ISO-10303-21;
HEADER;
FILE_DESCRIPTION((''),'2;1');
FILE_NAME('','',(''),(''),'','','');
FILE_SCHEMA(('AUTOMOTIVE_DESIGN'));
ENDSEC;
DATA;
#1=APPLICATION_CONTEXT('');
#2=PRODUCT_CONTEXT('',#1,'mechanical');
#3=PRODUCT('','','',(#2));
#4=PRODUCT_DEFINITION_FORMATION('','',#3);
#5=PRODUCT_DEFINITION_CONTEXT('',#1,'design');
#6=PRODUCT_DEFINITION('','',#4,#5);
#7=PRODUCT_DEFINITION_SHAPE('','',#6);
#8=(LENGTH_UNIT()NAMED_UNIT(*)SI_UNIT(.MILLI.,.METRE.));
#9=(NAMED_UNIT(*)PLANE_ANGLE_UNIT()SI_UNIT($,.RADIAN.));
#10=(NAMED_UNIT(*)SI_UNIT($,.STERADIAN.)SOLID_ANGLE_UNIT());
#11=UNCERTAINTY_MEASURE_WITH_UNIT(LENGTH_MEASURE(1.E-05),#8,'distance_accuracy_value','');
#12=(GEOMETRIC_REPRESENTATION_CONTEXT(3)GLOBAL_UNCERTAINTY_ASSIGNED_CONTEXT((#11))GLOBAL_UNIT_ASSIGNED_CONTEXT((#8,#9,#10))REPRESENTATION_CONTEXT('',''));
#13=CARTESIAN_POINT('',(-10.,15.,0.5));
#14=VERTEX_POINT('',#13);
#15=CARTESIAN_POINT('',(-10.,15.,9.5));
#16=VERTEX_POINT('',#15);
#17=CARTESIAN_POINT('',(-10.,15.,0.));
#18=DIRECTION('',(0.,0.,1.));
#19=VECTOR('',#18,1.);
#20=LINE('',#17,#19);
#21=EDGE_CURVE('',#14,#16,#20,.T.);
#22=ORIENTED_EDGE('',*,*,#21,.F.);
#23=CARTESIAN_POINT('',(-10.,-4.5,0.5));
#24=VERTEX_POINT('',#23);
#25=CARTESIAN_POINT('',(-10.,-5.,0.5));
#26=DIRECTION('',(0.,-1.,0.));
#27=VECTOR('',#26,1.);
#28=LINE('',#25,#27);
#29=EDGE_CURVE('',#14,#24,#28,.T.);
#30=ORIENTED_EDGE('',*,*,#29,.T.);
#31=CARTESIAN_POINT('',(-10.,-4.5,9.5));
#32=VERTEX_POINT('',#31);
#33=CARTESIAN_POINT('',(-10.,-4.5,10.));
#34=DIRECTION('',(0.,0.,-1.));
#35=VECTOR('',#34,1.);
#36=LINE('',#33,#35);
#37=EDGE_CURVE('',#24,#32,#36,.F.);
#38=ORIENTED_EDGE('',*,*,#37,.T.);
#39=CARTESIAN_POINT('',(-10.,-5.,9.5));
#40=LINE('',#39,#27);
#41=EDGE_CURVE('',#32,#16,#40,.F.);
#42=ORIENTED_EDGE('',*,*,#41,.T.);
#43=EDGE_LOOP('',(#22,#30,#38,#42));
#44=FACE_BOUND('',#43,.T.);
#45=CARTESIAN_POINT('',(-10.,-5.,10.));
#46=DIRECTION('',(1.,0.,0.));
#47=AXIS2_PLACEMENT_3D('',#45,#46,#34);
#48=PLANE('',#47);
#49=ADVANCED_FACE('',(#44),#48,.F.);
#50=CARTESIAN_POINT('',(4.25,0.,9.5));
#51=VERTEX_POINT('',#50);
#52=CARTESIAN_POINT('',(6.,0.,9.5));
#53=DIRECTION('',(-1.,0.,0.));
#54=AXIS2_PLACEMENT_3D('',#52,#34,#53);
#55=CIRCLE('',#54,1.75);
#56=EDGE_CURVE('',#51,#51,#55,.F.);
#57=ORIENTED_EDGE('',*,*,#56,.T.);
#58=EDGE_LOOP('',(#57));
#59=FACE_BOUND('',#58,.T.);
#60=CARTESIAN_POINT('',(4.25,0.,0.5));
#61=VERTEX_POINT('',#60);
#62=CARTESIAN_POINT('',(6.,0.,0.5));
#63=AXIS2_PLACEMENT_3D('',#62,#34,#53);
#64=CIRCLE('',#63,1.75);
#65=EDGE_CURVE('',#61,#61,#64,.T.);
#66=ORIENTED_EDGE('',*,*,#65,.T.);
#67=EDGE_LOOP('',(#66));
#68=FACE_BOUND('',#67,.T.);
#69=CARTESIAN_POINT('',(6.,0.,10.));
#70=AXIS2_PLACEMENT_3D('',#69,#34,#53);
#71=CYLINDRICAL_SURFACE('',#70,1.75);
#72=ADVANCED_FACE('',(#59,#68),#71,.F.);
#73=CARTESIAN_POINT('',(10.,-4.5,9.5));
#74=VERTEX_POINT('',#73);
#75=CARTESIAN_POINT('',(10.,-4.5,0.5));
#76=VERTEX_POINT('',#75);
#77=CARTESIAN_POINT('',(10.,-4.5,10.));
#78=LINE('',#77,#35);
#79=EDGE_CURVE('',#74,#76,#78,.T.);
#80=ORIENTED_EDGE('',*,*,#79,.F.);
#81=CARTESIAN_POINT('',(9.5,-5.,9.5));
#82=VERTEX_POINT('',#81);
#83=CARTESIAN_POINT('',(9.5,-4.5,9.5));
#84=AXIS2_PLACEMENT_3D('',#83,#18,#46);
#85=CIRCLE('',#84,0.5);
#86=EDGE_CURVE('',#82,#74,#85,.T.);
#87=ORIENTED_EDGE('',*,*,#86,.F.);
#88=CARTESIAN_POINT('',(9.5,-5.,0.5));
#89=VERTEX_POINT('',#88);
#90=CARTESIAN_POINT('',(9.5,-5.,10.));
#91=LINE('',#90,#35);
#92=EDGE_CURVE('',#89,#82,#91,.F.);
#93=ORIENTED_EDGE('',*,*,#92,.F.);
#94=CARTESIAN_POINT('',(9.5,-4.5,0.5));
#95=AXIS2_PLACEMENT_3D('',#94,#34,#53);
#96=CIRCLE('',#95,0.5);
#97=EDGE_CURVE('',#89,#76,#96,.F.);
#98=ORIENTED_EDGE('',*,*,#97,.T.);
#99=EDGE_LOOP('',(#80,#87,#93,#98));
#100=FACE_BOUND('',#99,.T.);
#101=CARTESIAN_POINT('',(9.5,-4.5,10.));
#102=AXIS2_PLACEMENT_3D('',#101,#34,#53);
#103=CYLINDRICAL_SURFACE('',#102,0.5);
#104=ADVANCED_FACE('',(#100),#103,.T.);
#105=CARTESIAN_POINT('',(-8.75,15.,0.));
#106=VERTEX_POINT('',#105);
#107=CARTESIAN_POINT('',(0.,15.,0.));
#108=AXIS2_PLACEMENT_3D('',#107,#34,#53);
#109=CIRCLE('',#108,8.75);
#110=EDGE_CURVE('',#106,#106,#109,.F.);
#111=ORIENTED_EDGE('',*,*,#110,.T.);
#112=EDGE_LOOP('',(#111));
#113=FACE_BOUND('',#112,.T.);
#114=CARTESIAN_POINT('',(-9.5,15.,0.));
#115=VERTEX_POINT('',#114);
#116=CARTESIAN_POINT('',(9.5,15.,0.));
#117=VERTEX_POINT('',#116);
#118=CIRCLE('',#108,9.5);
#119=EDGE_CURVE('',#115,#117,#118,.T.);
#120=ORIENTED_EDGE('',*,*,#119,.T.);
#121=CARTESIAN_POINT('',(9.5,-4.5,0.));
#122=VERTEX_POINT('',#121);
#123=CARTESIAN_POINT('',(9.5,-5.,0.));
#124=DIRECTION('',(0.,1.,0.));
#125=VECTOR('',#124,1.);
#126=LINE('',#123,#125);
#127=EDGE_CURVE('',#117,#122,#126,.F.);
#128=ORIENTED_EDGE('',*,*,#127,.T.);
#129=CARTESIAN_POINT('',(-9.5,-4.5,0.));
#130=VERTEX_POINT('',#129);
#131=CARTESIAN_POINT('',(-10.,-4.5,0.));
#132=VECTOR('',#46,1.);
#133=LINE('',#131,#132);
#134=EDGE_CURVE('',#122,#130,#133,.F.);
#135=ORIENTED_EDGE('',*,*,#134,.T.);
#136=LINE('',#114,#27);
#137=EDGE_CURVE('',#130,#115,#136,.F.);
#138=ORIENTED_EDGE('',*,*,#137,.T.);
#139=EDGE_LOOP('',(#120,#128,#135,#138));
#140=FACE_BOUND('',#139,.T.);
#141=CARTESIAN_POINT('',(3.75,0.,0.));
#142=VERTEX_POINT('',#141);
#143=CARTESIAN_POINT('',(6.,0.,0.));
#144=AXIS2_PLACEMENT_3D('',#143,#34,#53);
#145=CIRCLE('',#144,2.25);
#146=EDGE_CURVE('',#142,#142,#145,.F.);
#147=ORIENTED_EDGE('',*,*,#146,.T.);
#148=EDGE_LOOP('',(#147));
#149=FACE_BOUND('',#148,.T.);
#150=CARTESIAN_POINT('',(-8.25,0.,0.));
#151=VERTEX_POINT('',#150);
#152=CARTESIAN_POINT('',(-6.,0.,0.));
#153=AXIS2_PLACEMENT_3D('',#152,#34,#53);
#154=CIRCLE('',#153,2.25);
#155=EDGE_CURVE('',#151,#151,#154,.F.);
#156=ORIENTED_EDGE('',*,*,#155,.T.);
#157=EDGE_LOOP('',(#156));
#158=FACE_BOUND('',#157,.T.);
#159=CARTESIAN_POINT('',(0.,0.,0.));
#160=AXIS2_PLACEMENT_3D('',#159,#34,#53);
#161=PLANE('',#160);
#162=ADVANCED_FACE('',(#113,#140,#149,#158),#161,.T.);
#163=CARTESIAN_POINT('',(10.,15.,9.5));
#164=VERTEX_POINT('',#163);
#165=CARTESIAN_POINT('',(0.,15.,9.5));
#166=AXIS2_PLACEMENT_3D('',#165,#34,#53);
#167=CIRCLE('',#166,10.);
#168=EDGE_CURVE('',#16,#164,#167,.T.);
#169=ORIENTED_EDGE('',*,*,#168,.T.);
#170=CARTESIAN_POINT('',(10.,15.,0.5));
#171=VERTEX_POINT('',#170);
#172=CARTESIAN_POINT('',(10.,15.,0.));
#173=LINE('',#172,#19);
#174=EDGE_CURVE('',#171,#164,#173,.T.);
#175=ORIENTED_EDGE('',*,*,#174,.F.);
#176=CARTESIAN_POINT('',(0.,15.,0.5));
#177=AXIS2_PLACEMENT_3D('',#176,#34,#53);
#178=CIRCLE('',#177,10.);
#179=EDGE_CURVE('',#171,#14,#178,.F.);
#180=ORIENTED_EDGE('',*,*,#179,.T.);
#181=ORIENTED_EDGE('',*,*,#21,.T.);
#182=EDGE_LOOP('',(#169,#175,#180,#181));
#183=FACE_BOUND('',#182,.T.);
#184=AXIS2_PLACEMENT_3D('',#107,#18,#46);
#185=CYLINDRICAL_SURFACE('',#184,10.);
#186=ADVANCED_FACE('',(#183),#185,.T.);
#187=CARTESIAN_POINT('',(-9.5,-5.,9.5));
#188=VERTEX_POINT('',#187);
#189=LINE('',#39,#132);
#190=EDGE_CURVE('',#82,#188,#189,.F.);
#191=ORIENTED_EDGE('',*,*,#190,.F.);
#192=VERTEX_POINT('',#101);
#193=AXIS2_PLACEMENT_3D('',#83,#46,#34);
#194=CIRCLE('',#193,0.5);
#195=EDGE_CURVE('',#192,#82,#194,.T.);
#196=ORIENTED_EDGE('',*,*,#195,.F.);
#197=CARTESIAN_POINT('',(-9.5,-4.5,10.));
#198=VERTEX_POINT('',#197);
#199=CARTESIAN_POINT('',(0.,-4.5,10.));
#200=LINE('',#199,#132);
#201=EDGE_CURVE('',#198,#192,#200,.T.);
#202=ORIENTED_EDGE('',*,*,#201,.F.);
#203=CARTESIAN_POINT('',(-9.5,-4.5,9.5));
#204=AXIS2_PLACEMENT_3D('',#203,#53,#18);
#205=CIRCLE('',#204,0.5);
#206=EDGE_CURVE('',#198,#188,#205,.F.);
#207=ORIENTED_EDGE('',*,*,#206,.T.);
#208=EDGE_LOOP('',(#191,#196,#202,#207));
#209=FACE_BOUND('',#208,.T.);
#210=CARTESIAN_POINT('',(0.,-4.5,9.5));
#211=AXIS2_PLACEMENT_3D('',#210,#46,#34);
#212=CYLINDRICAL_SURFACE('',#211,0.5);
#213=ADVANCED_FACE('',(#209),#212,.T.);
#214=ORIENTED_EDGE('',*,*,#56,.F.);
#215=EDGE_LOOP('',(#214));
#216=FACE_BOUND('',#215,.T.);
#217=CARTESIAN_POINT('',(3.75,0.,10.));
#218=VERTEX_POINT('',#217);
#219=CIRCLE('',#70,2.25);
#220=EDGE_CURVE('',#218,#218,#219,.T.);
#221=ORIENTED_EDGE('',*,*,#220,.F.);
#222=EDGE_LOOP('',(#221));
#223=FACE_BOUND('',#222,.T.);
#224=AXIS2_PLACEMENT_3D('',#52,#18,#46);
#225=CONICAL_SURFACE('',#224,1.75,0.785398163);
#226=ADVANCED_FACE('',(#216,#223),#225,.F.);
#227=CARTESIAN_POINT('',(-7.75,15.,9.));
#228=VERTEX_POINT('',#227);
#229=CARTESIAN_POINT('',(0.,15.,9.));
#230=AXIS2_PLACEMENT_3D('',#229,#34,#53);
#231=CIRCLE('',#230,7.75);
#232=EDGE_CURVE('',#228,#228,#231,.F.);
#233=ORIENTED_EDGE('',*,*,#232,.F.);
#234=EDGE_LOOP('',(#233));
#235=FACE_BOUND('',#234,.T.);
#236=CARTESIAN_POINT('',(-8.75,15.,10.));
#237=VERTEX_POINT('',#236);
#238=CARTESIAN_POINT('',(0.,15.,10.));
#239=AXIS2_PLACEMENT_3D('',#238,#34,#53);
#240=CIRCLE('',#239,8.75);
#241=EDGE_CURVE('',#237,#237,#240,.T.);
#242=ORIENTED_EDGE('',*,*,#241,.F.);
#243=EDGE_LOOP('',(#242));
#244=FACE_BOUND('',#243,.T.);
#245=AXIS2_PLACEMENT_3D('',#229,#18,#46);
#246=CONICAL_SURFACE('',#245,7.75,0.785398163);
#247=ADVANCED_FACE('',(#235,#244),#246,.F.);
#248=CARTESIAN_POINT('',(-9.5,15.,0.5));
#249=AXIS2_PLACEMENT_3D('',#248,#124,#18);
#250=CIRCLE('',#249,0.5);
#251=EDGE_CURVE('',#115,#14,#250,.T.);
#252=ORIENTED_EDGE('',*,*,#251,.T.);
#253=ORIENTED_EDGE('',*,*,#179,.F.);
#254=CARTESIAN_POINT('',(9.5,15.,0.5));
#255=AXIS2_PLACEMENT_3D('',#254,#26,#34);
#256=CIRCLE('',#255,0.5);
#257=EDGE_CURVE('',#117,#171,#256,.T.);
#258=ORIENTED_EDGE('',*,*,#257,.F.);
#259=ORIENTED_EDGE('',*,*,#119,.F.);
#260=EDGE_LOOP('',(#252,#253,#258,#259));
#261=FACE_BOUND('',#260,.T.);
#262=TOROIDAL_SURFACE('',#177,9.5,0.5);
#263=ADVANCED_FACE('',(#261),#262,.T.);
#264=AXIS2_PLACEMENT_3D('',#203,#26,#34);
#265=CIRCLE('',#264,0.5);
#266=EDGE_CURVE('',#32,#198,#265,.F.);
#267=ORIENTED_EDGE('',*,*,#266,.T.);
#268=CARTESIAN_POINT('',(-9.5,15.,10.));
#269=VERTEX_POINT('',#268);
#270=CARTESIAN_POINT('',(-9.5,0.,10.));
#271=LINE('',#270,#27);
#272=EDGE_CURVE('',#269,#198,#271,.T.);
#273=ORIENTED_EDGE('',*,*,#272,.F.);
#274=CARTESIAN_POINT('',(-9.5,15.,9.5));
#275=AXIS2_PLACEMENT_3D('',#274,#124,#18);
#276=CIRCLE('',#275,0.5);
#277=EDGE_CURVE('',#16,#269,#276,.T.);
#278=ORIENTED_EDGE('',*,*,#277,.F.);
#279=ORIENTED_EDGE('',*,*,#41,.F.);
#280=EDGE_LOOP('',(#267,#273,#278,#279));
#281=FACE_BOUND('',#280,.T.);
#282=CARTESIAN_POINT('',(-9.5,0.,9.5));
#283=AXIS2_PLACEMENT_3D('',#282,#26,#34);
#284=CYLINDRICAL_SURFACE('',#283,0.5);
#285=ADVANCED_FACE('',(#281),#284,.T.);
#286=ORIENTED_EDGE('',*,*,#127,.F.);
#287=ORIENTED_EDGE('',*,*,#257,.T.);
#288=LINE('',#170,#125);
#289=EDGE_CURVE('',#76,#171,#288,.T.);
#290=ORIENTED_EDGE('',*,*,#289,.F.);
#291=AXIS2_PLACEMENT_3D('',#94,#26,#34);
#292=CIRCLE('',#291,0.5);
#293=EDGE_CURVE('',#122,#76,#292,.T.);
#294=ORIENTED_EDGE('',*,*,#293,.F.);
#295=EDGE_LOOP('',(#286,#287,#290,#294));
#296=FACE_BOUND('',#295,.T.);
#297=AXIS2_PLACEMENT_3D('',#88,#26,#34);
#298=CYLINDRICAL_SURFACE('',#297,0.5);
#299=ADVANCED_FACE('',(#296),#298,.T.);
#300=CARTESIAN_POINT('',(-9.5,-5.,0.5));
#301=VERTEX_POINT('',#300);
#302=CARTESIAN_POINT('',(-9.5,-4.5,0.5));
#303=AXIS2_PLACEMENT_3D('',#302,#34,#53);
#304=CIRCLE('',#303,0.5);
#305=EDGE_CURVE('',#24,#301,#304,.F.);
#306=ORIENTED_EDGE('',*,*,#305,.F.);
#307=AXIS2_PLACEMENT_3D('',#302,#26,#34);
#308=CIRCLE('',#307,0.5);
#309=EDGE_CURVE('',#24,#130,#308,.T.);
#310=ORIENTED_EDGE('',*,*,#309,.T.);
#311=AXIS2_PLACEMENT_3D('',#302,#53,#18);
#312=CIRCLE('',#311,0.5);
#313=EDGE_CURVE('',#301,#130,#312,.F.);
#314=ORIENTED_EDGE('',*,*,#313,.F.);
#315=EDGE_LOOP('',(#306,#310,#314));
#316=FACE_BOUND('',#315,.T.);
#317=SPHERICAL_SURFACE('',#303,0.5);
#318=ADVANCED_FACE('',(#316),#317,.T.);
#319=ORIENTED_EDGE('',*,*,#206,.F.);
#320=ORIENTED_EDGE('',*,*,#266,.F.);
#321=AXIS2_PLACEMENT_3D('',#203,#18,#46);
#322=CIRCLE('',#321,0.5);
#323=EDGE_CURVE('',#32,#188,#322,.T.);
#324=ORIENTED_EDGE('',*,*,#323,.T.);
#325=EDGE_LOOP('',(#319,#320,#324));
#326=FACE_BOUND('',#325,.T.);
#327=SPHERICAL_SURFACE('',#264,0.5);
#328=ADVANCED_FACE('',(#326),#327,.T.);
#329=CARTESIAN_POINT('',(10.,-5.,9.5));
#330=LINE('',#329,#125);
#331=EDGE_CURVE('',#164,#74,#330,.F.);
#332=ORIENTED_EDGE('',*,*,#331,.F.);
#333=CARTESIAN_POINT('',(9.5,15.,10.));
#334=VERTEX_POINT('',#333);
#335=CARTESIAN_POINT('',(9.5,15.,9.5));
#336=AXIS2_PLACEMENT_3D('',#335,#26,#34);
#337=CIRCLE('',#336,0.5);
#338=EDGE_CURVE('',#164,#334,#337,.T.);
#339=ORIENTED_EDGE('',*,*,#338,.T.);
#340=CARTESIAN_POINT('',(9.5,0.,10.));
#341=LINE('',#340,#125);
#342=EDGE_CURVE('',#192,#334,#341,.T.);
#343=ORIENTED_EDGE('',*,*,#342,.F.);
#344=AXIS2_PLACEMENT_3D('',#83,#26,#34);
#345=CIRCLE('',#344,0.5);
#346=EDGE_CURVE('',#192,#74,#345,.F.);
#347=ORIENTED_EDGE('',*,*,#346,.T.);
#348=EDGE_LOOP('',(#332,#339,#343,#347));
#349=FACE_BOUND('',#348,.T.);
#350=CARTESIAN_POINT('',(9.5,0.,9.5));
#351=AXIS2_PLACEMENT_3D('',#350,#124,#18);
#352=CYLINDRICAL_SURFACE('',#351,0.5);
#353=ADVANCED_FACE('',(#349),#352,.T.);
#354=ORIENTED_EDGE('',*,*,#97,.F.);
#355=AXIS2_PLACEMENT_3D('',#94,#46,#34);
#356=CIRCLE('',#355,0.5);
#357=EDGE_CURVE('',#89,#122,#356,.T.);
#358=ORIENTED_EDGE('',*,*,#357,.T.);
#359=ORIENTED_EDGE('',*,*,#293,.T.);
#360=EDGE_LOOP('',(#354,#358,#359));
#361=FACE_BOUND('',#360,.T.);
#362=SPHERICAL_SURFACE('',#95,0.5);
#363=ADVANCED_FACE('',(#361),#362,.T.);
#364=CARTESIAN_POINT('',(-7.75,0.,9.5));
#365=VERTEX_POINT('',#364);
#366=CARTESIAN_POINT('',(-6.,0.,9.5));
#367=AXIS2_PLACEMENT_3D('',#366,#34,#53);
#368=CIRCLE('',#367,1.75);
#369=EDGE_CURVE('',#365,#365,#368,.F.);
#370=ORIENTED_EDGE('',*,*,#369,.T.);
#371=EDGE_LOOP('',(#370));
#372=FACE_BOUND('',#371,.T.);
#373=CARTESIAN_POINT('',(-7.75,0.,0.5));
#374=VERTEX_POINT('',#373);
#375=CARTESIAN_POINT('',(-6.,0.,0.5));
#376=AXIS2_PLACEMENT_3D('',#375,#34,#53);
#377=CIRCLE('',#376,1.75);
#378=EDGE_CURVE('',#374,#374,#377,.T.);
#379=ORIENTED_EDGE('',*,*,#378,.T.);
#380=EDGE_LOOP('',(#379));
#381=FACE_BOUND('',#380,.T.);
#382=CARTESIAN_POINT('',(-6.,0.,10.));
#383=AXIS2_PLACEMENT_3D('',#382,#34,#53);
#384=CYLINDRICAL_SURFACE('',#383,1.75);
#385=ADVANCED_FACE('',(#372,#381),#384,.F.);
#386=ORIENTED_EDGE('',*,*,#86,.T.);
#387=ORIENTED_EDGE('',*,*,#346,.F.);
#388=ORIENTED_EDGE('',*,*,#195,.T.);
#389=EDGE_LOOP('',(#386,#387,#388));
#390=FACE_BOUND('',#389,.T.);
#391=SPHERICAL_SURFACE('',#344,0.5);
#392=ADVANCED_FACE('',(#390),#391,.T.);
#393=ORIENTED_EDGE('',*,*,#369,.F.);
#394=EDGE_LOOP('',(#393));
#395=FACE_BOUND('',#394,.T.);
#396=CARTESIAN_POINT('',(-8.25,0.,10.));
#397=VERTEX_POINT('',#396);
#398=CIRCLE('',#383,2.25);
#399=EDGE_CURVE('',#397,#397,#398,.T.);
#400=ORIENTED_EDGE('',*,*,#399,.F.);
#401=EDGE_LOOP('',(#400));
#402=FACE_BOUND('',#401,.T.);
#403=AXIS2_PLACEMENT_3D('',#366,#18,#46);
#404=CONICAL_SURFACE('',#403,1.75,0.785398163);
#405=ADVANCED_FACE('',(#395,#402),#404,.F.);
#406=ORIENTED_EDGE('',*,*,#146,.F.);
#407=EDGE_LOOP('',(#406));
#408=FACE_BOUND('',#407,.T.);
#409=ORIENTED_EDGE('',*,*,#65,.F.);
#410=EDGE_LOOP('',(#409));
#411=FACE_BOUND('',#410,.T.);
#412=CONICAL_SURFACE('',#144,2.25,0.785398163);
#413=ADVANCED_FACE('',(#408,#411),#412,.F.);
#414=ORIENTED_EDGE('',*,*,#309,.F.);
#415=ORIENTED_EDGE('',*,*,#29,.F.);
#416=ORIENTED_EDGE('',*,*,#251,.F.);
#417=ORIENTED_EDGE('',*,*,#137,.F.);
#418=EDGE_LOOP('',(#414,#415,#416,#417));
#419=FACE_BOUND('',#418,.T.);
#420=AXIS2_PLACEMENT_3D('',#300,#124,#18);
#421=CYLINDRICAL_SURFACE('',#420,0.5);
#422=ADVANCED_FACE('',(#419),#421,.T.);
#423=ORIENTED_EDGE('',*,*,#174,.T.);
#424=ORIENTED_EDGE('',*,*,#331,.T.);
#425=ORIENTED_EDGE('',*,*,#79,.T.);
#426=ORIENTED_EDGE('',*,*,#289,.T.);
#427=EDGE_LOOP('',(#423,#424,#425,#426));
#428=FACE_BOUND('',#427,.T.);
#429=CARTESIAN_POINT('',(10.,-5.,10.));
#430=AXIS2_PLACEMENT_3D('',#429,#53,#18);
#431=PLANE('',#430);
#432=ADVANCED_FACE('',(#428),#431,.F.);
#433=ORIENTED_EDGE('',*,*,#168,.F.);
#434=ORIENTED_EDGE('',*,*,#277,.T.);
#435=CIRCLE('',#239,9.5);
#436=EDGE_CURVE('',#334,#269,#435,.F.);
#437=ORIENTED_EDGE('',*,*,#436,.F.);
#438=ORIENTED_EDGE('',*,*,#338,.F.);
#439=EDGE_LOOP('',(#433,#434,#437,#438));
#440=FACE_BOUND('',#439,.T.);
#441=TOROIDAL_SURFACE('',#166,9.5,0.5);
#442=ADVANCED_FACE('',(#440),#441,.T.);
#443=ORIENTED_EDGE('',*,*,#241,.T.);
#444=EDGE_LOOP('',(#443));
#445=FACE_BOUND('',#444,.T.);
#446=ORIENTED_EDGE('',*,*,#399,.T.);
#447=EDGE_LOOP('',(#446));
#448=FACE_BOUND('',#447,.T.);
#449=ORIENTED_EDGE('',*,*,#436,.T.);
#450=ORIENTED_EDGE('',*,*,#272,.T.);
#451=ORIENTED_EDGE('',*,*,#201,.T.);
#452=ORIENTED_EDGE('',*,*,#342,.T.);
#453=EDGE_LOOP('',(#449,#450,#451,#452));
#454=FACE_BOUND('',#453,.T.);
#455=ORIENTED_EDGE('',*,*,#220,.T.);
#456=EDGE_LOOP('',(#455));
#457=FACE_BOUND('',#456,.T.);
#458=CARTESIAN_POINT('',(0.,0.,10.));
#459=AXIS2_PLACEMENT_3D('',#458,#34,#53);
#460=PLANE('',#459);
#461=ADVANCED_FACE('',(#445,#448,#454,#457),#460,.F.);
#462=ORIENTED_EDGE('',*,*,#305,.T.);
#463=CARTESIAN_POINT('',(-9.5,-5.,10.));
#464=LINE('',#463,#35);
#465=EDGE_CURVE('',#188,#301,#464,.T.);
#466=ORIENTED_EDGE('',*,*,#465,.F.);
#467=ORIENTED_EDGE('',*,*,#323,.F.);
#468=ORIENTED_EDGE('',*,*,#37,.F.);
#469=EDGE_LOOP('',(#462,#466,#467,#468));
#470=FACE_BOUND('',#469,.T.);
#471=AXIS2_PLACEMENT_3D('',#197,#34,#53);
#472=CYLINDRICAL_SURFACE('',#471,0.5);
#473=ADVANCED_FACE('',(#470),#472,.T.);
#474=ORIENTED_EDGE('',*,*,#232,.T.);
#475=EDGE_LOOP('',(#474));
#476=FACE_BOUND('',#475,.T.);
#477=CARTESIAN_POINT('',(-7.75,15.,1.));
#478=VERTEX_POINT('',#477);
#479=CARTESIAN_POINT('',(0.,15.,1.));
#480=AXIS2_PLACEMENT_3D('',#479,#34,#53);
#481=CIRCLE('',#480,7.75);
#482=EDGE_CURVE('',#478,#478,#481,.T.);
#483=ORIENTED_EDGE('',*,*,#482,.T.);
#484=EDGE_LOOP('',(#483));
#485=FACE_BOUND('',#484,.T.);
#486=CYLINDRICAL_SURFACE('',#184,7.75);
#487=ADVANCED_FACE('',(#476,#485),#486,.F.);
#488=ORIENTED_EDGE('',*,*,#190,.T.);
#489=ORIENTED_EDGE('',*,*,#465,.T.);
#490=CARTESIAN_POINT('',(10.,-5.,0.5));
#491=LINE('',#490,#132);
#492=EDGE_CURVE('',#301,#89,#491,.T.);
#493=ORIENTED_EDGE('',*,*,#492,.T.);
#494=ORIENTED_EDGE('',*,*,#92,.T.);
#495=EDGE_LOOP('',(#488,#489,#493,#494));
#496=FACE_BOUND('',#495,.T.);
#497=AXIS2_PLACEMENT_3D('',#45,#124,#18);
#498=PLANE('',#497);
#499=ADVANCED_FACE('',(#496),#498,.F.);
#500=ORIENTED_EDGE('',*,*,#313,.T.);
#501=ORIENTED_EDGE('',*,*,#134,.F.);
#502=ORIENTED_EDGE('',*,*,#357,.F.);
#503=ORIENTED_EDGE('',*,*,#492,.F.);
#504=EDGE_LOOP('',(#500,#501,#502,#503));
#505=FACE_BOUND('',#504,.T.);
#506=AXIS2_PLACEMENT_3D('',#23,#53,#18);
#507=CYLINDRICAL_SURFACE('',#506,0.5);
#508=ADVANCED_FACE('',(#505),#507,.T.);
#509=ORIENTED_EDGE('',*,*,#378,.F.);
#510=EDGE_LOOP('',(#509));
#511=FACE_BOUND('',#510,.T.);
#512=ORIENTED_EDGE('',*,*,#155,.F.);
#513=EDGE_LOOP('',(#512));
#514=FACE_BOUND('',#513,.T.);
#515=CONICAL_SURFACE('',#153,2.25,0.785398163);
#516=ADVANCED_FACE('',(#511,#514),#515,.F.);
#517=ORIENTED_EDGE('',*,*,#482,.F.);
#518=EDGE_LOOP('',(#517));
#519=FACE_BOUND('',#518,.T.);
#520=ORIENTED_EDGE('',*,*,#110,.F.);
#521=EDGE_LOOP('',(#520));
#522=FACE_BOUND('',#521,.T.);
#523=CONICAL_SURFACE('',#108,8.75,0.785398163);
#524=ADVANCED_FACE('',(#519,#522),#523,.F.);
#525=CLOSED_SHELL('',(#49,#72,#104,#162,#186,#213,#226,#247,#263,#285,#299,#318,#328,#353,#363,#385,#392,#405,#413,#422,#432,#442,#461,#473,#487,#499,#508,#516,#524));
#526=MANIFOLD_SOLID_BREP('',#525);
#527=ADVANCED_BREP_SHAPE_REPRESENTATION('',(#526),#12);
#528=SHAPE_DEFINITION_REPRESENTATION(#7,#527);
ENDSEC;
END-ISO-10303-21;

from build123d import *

# Parameters (mm, degrees)
SKETCH_1_W      = 20
SKETCH_1_H      = 10
SKETCH_1_R      = 1.75
EXTRUDE_1_DEPTH = 10
SKETCH_2_R      = 7.75
EXTRUDE_2_DEPTH = 10
CHAMFER_1_SIZE  = 1
CHAMFER_2_SIZE  = 0.5
FILLET_1_R      = 0.5


with BuildPart() as part:
    # 草图1 → 凸台-拉伸1 (new body)
    with BuildSketch(Plane.XY):
        Rectangle(SKETCH_1_W, SKETCH_1_H)
        with Locations((-6, 0)):
            Circle(SKETCH_1_R, mode=Mode.SUBTRACT)
        with Locations((6, 0)):
            Circle(SKETCH_1_R, mode=Mode.SUBTRACT)
    extrude(amount=EXTRUDE_1_DEPTH)

    # 草图2 → 凸台-拉伸2 (add)
    with BuildSketch(Plane.XY.offset(10)):
        with BuildLine():
            Line((-10, 15), (-10, 5))
            Line((-10, 5), (10, 5))
            Line((10, 5), (10, 15))
            ThreePointArc((10, 15), (0, 25), (-10, 15))
        make_face()
        with Locations((0, 15)):
            Circle(SKETCH_2_R, mode=Mode.SUBTRACT)
    extrude(amount=-EXTRUDE_2_DEPTH)

    # 倒角1
    chamfer_1_edges = [part.edges().sort_by_distance(p)[0] for p in [
        (-7.75, 15, 10),
        (-7.75, 15, 0),
    ]]
    chamfer(chamfer_1_edges, length=CHAMFER_1_SIZE)

    # 倒角2
    chamfer_2_edges = [part.edges().sort_by_distance(p)[0] for p in [
        (-7.75, 0, 0),
        (-7.75, 0, 10),
        (4.25, 0, 0),
        (4.25, 0, 10),
    ]]
    chamfer(chamfer_2_edges, length=CHAMFER_2_SIZE)

    # 圆角1
    fillet_1_edges = [part.edges().sort_by_distance(p)[0] for p in [
        (-10, 5, 10),
        (0, -5, 10),
        (0, 25, 0),
        (0, 25, 10),
        (10, 5, 10),
        (0, -5, 0),
        (-10, 5, 0),
        (10, 5, 0),
        (10, -5, 5),
        (-10, -5, 5),
    ]]
    fillet(fillet_1_edges, radius=FILLET_1_R)


solid = part.part
